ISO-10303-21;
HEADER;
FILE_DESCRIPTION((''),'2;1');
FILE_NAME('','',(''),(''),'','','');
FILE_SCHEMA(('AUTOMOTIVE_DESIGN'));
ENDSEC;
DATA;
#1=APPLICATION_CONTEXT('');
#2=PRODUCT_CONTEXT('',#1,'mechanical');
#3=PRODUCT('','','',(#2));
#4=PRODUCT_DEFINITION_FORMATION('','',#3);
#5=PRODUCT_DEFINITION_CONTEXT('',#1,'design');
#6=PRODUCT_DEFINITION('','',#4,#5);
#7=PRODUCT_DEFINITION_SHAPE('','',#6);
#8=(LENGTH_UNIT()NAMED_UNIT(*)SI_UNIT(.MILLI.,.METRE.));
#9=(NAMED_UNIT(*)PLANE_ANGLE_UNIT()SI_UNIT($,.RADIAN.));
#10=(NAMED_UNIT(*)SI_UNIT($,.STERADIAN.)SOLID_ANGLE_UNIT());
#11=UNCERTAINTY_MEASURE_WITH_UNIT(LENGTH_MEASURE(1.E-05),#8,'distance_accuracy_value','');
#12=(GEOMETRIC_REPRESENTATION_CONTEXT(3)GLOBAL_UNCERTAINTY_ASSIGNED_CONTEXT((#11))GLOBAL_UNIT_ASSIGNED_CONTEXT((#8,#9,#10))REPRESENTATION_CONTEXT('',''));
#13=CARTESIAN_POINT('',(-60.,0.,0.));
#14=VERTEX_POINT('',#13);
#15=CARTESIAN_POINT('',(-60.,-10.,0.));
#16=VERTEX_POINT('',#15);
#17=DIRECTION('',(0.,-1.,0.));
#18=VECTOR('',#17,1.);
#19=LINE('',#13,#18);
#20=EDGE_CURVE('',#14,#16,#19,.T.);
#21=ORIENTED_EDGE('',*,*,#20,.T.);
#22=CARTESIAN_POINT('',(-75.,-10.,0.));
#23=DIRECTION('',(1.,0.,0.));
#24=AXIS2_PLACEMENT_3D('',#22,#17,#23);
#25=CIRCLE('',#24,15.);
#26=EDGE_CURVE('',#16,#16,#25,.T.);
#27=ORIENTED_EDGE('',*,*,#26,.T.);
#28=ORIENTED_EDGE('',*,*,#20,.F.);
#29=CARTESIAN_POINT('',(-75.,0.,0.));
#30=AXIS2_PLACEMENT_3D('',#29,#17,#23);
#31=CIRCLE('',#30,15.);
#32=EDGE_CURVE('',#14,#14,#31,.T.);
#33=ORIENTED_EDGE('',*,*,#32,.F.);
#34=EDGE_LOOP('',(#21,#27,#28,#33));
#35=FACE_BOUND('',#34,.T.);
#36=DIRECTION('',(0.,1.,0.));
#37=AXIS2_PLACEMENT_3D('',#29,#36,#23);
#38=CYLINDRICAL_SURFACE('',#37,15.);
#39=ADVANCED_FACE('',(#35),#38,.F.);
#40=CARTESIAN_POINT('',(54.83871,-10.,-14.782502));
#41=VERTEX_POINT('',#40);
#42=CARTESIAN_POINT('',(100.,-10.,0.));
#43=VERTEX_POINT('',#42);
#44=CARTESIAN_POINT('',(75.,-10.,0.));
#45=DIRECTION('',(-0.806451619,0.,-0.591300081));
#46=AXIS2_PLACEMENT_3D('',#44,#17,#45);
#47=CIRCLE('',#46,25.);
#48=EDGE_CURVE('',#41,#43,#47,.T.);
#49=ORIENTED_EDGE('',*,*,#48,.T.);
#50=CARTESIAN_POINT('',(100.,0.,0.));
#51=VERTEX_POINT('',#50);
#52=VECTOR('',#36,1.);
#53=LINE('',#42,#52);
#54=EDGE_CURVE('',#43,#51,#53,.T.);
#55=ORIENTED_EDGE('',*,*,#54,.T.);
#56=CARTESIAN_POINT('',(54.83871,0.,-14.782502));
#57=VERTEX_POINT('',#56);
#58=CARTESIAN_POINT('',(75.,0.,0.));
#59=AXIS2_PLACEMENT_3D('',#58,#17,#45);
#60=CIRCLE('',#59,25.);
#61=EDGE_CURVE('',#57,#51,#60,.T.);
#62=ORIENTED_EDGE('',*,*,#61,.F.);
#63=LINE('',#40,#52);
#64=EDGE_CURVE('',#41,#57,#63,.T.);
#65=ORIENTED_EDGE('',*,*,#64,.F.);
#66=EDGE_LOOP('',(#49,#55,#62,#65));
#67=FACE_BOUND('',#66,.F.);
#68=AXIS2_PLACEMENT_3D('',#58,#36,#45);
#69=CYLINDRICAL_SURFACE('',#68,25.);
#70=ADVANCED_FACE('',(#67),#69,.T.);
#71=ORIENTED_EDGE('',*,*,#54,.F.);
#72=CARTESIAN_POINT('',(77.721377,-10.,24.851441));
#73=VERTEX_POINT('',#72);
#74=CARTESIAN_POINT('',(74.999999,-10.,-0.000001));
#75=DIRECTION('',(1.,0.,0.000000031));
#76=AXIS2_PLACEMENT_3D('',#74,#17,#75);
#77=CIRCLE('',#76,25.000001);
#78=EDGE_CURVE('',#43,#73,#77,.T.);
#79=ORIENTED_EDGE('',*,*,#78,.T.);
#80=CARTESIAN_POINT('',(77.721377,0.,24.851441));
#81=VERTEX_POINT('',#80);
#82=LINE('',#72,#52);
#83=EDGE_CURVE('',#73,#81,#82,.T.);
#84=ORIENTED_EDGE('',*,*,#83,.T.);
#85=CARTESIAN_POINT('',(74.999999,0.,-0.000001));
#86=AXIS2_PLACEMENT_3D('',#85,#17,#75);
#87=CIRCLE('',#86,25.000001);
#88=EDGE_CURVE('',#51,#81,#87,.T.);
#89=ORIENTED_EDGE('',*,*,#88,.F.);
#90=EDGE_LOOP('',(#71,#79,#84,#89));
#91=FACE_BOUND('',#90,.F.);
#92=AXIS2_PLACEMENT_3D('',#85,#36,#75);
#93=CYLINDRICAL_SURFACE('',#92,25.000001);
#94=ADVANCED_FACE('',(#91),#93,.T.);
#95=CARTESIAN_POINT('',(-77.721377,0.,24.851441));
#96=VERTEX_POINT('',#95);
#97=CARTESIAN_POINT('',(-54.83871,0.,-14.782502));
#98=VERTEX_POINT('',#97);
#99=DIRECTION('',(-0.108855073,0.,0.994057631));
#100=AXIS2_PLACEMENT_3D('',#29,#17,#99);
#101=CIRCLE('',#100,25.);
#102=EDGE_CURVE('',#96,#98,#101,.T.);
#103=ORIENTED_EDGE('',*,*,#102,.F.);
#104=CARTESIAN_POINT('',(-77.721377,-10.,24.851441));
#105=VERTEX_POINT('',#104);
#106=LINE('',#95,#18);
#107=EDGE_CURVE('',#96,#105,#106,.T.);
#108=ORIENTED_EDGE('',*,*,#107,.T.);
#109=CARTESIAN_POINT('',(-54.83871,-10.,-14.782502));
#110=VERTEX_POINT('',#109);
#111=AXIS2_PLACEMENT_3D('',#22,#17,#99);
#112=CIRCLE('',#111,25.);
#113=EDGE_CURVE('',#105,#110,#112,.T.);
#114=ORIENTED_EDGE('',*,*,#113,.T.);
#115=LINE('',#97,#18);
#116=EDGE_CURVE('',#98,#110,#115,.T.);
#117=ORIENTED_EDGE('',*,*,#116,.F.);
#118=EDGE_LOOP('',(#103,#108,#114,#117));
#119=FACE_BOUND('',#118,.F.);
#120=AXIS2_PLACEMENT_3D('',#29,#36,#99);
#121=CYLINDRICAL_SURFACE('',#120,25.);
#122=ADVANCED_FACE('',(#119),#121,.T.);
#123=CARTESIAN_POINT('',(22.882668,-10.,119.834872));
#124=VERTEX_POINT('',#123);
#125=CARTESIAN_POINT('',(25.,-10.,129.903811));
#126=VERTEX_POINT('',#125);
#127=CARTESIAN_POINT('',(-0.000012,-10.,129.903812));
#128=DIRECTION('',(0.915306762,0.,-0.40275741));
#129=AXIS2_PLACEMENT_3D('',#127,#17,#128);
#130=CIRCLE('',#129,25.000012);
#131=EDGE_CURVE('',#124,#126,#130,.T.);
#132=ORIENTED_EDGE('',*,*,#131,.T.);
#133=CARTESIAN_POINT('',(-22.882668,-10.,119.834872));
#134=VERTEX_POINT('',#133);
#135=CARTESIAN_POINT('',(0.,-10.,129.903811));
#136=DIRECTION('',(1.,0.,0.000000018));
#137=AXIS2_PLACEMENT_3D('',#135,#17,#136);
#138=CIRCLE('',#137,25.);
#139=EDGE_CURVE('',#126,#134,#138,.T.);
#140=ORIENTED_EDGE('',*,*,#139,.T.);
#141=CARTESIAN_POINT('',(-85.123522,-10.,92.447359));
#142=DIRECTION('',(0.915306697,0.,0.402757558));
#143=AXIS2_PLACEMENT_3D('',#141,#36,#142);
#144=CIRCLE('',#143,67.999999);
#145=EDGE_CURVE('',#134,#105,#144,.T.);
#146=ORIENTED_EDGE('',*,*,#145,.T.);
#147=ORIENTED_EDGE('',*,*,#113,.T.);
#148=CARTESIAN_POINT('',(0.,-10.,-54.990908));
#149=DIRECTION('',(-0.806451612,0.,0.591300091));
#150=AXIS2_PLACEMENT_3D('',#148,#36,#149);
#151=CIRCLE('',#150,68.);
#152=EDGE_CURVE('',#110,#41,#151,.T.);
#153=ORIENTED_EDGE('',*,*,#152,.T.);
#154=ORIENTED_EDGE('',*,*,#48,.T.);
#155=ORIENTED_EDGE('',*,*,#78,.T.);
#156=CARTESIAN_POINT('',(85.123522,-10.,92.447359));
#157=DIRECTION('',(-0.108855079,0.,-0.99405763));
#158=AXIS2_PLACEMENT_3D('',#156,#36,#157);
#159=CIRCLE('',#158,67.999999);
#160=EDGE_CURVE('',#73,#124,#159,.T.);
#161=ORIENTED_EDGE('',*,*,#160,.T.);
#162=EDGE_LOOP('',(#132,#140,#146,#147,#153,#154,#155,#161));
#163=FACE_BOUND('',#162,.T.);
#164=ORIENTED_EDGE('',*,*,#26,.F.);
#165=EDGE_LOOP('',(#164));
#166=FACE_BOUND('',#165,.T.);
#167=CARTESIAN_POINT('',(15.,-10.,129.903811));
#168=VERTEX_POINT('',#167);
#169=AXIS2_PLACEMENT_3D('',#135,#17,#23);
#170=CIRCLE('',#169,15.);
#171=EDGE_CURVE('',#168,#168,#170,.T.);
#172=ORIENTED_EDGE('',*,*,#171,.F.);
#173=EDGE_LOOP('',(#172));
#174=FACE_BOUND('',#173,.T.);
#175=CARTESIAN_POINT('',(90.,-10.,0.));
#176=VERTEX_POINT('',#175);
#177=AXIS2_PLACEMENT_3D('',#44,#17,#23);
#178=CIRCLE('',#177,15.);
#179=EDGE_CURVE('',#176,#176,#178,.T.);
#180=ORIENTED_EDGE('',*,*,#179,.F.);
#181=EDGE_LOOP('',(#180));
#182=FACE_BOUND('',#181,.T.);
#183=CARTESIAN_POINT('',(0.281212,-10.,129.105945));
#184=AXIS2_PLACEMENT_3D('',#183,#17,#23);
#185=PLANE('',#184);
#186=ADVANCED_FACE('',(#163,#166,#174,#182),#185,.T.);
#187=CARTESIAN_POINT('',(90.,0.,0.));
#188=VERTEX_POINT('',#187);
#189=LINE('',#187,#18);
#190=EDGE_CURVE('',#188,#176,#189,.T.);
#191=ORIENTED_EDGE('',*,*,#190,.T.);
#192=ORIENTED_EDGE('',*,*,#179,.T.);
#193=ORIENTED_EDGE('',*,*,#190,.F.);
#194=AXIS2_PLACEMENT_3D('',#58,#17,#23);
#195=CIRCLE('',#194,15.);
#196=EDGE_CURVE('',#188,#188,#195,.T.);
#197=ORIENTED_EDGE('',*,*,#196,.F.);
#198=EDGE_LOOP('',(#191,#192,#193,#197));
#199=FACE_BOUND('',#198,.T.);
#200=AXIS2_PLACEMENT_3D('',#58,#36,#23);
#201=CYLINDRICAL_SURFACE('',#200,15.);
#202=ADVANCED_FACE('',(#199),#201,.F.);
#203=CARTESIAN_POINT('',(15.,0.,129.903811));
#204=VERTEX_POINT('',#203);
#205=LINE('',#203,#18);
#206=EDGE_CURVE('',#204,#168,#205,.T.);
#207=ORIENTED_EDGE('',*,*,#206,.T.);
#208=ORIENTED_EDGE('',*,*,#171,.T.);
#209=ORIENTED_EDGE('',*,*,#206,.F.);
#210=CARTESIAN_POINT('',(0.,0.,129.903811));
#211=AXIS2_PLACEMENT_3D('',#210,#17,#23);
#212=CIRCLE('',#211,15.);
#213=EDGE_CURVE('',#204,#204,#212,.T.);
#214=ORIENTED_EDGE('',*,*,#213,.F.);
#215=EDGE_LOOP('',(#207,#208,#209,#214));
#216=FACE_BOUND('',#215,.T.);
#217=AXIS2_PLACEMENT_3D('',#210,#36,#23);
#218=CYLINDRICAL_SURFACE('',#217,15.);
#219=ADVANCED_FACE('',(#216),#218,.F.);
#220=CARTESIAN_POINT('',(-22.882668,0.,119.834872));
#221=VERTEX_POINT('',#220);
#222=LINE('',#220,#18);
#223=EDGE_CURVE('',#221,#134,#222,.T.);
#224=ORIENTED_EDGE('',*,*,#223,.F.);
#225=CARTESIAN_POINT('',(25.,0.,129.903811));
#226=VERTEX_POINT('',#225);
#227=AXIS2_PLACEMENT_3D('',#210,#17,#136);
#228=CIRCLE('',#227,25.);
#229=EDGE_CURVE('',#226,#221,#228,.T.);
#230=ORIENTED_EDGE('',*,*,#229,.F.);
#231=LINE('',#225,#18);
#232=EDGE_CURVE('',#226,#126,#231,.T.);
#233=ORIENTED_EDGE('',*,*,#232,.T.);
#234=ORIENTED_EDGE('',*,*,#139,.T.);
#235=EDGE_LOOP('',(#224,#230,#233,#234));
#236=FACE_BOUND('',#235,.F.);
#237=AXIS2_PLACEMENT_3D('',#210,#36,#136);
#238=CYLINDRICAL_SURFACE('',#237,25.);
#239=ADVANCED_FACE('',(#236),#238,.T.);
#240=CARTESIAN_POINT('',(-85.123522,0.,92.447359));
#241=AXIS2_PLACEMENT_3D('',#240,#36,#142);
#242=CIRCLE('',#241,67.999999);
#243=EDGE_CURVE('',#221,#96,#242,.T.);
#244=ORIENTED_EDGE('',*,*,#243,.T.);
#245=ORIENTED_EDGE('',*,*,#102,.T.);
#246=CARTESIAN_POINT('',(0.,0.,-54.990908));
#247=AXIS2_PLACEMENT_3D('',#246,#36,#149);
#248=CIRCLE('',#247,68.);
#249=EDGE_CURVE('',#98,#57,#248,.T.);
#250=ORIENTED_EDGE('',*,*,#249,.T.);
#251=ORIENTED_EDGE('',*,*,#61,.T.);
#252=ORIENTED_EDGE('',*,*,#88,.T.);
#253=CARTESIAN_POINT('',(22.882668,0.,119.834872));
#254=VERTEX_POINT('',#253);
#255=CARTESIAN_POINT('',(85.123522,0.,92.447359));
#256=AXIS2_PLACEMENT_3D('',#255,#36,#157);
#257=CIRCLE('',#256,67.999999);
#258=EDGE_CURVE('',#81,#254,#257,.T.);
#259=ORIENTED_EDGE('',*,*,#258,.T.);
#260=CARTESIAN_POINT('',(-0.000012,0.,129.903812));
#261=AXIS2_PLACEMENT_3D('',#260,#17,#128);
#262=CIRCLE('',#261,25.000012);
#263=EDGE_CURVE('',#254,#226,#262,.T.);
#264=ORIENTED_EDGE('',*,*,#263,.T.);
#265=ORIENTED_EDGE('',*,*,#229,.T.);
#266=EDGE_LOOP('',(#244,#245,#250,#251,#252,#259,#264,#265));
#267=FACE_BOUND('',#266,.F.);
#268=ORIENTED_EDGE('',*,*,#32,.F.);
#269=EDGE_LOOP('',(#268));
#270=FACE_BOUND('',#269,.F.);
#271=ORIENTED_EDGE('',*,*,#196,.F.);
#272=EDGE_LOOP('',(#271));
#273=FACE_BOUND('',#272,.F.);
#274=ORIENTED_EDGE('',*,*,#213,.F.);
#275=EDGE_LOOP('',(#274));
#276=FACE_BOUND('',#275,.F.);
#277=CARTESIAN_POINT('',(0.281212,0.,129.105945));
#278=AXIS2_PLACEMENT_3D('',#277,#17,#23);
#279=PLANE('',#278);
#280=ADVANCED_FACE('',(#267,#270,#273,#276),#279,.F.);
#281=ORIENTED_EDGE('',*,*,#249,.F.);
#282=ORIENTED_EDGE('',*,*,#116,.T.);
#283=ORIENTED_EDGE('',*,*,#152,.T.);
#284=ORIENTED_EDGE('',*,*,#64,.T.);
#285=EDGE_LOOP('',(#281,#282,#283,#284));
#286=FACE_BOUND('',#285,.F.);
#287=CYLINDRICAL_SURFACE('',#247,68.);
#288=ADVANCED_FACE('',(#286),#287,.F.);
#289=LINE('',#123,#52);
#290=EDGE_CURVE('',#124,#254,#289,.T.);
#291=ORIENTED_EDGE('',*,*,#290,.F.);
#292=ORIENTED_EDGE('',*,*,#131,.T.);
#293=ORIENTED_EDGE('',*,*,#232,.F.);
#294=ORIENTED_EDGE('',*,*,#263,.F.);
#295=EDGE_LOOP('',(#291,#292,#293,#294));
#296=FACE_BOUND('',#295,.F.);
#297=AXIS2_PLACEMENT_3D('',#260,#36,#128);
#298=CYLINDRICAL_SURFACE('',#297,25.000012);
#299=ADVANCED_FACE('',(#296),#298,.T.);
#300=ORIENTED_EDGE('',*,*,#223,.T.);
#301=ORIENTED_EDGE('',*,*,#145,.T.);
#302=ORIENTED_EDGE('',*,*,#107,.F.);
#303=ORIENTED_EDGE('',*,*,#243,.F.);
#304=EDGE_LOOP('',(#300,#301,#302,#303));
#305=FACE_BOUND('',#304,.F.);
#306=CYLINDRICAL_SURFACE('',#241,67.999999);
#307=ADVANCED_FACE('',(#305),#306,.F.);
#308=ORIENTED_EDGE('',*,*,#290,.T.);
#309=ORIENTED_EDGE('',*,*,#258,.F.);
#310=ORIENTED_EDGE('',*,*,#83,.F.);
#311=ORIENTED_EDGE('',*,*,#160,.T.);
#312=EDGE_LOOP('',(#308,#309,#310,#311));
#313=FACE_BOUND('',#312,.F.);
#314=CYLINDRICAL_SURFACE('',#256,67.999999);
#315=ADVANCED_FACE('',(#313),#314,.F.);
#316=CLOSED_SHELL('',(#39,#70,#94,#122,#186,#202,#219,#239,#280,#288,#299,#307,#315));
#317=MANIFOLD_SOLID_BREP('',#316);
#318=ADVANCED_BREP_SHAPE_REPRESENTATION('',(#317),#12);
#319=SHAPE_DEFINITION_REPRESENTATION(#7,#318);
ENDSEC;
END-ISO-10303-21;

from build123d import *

# Parameters (mm, degrees)
F0_R     = 15
F1_DEPTH = 5
F2_DEPTH = 10


with BuildPart() as f1:
    # F0 (on Front) → F1 (new body)
    with BuildSketch(Plane.XZ):
        with BuildLine():
            ThreePointArc((22.882668, 119.834872), (24.464941, 124.759235), (25, 129.903811))
            ThreePointArc((25, 129.903811), (-5.144575, 154.368752), (-22.882668, 119.834872))
            ThreePointArc((-22.882668, 119.834872), (0, 104.903811), (22.882668, 119.834872))
        make_face()
        with Locations((0, 129.903811)):
            Circle(F0_R, mode=Mode.SUBTRACT)
        with BuildLine():
            ThreePointArc((22.882668, 119.834872), (0, 104.903811), (-22.882668, 119.834872))
            ThreePointArc((-22.882668, 119.834872), (-26.233796, 58.447359), (-77.721377, 24.851441))
            ThreePointArc((-77.721377, 24.851441), (-58.312197, 18.614973), (-50, 0))
            ThreePointArc((-50, 0), (-51.240452, -7.777138), (-54.83871, -14.782502))
            ThreePointArc((-54.83871, -14.782502), (0, 13.009092), (54.83871, -14.782502))
            ThreePointArc((54.83871, -14.782502), (53.349365, 12.5), (77.721377, 24.851441))
            ThreePointArc((77.721377, 24.851441), (26.233796, 58.447359), (22.882668, 119.834872))
        make_face()
        with BuildLine():
            ThreePointArc((-50, 0), (-58.312197, 18.614973), (-77.721377, 24.851441))
            ThreePointArc((-77.721377, 24.851441), (-96.650635, -12.5), (-54.83871, -14.782502))
            ThreePointArc((-54.83871, -14.782502), (-51.240452, -7.777138), (-50, 0))
        make_face()
        with Locations((-75, 0)):
            Circle(F0_R, mode=Mode.SUBTRACT)
        with BuildLine():
            ThreePointArc((100, 0), (93.614973, 16.687803), (77.721377, 24.851441))
            ThreePointArc((77.721377, 24.851441), (53.349365, 12.5), (54.83871, -14.782502))
            ThreePointArc((54.83871, -14.782502), (82.777138, -23.759548), (100, 0))
        make_face()
        with Locations((75, 0)):
            Circle(F0_R, mode=Mode.SUBTRACT)
    extrude(amount=F1_DEPTH)

    # F0 (on Front) → F2 (join)
    with BuildSketch(Plane.XZ):
        with BuildLine():
            ThreePointArc((22.882668, 119.834872), (24.464941, 124.759235), (25, 129.903811))
            ThreePointArc((25, 129.903811), (-5.144575, 154.368752), (-22.882668, 119.834872))
            ThreePointArc((-22.882668, 119.834872), (0, 104.903811), (22.882668, 119.834872))
        make_face()
        with Locations((0, 129.903811)):
            Circle(F0_R, mode=Mode.SUBTRACT)
        with BuildLine():
            ThreePointArc((22.882668, 119.834872), (0, 104.903811), (-22.882668, 119.834872))
            ThreePointArc((-22.882668, 119.834872), (-26.233796, 58.447359), (-77.721377, 24.851441))
            ThreePointArc((-77.721377, 24.851441), (-58.312197, 18.614973), (-50, 0))
            ThreePointArc((-50, 0), (-51.240452, -7.777138), (-54.83871, -14.782502))
            ThreePointArc((-54.83871, -14.782502), (0, 13.009092), (54.83871, -14.782502))
            ThreePointArc((54.83871, -14.782502), (53.349365, 12.5), (77.721377, 24.851441))
            ThreePointArc((77.721377, 24.851441), (26.233796, 58.447359), (22.882668, 119.834872))
        make_face()
        with BuildLine():
            ThreePointArc((-50, 0), (-58.312197, 18.614973), (-77.721377, 24.851441))
            ThreePointArc((-77.721377, 24.851441), (-96.650635, -12.5), (-54.83871, -14.782502))
            ThreePointArc((-54.83871, -14.782502), (-51.240452, -7.777138), (-50, 0))
        make_face()
        with Locations((-75, 0)):
            Circle(F0_R, mode=Mode.SUBTRACT)
        with BuildLine():
            ThreePointArc((100, 0), (93.614973, 16.687803), (77.721377, 24.851441))
            ThreePointArc((77.721377, 24.851441), (53.349365, 12.5), (54.83871, -14.782502))
            ThreePointArc((54.83871, -14.782502), (82.777138, -23.759548), (100, 0))
        make_face()
        with Locations((75, 0)):
            Circle(F0_R, mode=Mode.SUBTRACT)
    extrude(amount=F2_DEPTH)


solid = f1.part
